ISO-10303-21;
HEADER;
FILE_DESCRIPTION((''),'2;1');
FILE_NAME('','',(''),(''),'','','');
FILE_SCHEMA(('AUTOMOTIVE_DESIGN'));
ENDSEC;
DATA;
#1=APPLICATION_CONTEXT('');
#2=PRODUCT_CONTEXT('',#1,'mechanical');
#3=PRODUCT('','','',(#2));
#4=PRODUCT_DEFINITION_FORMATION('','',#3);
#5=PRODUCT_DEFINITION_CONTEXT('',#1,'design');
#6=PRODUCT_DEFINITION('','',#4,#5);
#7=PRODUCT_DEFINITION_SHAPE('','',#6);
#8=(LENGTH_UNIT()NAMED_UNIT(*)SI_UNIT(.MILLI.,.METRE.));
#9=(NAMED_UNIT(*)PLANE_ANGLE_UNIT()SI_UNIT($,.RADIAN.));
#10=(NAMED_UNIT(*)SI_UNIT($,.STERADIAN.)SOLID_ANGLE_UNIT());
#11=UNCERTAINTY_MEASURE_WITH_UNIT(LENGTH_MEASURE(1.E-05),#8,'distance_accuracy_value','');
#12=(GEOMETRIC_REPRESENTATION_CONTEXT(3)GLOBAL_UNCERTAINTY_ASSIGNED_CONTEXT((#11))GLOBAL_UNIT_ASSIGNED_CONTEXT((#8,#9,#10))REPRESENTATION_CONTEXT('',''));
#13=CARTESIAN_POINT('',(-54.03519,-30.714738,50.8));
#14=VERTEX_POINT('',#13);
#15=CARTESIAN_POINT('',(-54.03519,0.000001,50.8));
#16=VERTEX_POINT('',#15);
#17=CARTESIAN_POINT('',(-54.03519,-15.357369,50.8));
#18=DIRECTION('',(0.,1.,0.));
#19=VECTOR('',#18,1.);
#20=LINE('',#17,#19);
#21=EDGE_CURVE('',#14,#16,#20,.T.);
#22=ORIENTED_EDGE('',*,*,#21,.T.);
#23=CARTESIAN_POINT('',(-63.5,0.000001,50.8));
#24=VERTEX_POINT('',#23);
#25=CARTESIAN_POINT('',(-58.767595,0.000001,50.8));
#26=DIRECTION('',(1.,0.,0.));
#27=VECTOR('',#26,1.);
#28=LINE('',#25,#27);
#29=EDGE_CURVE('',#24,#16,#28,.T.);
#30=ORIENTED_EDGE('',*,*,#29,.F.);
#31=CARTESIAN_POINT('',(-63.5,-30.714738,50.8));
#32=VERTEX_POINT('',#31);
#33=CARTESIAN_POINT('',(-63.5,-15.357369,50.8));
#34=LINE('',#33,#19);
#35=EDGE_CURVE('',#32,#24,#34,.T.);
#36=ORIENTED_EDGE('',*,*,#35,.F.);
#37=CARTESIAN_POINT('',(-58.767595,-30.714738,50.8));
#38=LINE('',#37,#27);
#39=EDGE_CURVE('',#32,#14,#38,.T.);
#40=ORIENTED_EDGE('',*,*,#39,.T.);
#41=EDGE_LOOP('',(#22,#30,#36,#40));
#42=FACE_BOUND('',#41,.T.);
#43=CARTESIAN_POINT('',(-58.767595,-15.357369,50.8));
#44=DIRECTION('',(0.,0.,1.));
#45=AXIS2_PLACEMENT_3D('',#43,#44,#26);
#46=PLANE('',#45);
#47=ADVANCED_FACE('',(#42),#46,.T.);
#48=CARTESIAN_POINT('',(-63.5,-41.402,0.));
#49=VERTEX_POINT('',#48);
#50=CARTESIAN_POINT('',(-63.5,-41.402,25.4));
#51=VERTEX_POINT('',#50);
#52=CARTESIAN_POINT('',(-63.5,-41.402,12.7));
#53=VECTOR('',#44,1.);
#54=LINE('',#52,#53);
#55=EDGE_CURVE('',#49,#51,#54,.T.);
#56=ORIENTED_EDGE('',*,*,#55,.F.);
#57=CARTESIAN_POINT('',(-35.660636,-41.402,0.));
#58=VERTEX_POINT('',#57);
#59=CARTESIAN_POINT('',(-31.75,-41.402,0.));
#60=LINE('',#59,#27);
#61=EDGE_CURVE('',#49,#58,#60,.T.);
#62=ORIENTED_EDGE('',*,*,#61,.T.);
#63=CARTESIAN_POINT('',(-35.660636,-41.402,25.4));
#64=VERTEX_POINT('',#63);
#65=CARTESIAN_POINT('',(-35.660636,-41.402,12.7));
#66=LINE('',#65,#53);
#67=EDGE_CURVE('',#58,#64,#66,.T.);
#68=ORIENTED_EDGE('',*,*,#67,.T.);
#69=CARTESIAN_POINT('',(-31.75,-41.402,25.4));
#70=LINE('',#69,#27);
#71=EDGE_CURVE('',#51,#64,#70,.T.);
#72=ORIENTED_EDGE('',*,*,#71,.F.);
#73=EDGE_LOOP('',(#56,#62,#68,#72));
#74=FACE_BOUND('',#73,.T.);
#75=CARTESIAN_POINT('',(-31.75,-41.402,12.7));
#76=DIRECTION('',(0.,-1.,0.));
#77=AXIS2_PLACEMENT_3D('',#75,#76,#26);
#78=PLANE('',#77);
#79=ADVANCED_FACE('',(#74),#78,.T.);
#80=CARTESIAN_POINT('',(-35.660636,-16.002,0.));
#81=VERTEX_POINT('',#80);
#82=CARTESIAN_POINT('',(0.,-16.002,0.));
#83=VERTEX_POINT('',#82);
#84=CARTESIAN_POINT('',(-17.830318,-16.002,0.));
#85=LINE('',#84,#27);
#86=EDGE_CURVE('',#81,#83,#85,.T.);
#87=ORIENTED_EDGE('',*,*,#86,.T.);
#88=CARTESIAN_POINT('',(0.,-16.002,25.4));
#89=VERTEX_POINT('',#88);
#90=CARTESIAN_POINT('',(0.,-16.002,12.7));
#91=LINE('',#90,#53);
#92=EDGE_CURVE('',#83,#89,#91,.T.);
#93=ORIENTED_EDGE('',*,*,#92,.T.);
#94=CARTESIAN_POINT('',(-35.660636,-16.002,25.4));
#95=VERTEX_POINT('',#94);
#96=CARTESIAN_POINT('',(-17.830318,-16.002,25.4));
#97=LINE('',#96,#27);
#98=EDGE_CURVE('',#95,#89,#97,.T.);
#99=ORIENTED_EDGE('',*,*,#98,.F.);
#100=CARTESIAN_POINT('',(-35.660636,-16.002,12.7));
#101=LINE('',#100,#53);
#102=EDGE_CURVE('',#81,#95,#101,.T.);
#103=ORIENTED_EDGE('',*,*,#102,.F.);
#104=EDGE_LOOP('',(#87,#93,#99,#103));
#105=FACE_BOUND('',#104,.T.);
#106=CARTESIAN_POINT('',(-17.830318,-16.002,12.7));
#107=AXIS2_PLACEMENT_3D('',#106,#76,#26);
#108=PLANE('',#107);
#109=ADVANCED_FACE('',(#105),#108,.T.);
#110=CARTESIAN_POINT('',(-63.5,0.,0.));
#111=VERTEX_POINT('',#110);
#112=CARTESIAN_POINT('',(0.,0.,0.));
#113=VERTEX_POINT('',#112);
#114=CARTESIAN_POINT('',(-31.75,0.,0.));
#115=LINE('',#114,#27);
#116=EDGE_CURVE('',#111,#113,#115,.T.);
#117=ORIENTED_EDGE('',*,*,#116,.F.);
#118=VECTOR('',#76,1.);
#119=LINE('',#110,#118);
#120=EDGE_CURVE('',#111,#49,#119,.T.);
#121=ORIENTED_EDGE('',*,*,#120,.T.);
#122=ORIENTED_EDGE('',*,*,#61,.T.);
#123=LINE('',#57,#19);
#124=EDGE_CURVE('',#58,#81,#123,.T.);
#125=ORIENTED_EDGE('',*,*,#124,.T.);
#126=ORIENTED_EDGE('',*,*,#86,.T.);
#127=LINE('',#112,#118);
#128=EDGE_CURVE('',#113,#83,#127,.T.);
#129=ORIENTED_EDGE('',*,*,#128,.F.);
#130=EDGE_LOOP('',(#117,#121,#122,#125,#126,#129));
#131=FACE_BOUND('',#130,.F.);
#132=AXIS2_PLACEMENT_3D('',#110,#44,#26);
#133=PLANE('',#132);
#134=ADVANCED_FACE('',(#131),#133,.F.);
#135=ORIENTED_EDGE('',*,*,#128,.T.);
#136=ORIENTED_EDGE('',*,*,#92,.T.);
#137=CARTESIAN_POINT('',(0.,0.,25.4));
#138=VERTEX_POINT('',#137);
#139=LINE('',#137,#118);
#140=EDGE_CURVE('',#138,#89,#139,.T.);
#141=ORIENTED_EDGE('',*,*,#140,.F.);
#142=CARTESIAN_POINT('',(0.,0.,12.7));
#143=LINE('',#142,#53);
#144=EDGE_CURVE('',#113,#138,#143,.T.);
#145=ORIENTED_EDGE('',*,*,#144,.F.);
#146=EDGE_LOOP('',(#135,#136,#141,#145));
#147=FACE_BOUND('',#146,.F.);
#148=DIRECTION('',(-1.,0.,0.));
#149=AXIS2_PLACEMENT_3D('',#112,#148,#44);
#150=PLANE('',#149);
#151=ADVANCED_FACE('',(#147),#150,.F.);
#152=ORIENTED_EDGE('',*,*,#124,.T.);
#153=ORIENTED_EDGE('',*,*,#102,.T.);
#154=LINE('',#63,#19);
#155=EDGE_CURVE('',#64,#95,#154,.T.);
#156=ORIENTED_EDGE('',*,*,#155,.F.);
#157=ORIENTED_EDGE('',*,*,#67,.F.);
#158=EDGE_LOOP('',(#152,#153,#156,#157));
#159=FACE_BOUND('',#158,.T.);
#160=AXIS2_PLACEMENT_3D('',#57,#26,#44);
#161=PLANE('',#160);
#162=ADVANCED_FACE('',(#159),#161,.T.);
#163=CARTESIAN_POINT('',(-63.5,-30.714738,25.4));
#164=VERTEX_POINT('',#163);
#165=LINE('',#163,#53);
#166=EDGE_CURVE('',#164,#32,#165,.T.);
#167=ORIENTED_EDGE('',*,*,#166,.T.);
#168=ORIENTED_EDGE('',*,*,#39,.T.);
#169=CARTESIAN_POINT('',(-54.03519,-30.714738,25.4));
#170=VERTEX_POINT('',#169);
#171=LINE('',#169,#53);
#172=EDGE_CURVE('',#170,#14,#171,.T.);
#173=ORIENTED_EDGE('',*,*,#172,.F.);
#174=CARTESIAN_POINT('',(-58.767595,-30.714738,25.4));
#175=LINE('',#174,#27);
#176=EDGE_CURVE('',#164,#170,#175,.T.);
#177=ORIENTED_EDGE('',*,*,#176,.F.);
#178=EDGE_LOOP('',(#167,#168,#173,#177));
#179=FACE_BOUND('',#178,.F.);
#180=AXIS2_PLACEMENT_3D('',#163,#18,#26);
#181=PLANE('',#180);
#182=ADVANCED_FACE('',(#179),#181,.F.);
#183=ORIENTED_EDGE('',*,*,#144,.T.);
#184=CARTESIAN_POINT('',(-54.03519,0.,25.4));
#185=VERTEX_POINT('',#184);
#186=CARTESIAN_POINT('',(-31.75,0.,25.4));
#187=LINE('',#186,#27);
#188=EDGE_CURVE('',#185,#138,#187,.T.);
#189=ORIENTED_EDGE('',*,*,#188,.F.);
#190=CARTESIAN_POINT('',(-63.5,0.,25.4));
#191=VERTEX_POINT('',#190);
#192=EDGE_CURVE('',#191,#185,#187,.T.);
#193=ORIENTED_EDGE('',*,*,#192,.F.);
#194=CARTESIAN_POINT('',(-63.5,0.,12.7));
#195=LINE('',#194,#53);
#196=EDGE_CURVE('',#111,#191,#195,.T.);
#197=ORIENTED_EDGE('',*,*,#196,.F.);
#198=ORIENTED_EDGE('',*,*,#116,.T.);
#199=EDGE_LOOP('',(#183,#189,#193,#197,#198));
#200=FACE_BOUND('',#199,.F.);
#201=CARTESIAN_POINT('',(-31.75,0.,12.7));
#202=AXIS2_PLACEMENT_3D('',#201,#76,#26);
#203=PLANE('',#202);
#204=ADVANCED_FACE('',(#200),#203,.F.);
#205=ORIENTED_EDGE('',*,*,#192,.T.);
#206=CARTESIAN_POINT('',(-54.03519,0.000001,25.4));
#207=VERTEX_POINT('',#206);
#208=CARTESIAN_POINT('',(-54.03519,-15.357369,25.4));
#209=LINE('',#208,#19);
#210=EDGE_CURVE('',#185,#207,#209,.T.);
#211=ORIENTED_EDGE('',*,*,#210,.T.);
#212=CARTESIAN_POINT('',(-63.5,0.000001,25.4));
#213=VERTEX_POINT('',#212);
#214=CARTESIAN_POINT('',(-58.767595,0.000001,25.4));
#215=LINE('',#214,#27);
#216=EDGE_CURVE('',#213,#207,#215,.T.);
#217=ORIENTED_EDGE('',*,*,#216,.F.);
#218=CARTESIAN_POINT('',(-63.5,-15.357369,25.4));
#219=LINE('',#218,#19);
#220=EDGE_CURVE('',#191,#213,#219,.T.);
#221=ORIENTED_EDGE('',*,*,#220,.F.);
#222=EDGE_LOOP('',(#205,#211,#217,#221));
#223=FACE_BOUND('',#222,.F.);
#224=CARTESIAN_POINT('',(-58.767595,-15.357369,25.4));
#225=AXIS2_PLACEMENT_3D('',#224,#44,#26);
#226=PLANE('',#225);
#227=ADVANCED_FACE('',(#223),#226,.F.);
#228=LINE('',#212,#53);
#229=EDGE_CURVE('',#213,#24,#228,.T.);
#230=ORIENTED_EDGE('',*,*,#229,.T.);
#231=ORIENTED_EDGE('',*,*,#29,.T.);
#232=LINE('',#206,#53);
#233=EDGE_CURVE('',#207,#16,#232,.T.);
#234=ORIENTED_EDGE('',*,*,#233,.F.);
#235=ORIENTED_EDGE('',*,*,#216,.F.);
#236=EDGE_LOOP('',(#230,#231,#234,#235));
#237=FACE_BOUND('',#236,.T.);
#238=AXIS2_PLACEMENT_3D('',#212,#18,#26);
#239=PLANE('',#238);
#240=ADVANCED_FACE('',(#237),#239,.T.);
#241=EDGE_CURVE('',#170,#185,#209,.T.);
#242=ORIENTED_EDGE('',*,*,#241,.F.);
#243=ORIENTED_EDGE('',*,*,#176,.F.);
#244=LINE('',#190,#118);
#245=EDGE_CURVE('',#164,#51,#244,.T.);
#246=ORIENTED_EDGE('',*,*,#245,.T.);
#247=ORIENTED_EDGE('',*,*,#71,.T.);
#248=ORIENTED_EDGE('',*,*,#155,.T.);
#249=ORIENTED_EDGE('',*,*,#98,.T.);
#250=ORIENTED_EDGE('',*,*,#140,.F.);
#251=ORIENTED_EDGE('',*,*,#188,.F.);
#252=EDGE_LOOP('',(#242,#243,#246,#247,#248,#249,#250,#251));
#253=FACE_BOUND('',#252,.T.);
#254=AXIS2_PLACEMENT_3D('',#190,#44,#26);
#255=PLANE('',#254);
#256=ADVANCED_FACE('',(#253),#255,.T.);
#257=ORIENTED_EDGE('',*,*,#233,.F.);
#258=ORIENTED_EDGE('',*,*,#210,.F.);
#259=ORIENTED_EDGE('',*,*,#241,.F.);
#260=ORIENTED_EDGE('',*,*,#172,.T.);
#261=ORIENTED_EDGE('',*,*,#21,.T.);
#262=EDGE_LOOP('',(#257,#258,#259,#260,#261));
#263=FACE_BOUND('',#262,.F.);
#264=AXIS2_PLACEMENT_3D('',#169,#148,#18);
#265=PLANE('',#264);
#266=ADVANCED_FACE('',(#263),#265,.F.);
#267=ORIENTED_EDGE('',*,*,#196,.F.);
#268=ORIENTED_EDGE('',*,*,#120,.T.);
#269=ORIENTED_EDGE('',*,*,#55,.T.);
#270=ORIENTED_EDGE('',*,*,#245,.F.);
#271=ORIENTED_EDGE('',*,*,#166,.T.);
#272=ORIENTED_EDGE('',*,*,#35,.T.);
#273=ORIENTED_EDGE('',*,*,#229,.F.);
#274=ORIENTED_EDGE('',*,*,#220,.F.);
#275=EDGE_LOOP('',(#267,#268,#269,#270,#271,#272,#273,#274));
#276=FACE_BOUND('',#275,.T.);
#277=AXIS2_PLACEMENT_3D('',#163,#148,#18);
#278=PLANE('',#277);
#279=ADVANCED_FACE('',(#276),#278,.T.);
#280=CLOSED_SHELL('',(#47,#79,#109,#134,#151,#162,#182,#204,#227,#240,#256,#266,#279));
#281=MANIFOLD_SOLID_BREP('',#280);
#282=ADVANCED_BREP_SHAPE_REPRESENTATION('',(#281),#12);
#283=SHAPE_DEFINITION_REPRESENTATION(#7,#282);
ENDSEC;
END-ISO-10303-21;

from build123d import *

# Parameters (mm, degrees)
F0_W     = 63.5
F0_H     = 25.4
F1_DEPTH = 41.402
F3_W     = 35.660636
F3_H     = 25.4
F4_DEPTH = 25.4
F5_W     = 9.46481
F5_H     = 30.714739
F6_DEPTH = 25.4


with BuildPart() as f1:
    # F0 (on Front) → F1 (new body)
    with BuildSketch(Plane.XZ):
        with Locations((-31.75, 12.7)):
            Rectangle(F0_W, F0_H)
    extrude(amount=F1_DEPTH)

    # F3 (on face) → F4 (cut)
    with BuildSketch(Plane.XZ.offset(41.402)):
        with Locations((-17.830318, 12.7)):
            Rectangle(F3_W, F3_H)
    extrude(amount=-F4_DEPTH, mode=Mode.SUBTRACT)

    # F5 (on face) → F6 (join)
    with BuildSketch(Plane.XY.offset(25.4)):
        with Locations((-58.767595, -15.357369)):
            Rectangle(F5_W, F5_H)
    extrude(amount=F6_DEPTH)


solid = f1.part
